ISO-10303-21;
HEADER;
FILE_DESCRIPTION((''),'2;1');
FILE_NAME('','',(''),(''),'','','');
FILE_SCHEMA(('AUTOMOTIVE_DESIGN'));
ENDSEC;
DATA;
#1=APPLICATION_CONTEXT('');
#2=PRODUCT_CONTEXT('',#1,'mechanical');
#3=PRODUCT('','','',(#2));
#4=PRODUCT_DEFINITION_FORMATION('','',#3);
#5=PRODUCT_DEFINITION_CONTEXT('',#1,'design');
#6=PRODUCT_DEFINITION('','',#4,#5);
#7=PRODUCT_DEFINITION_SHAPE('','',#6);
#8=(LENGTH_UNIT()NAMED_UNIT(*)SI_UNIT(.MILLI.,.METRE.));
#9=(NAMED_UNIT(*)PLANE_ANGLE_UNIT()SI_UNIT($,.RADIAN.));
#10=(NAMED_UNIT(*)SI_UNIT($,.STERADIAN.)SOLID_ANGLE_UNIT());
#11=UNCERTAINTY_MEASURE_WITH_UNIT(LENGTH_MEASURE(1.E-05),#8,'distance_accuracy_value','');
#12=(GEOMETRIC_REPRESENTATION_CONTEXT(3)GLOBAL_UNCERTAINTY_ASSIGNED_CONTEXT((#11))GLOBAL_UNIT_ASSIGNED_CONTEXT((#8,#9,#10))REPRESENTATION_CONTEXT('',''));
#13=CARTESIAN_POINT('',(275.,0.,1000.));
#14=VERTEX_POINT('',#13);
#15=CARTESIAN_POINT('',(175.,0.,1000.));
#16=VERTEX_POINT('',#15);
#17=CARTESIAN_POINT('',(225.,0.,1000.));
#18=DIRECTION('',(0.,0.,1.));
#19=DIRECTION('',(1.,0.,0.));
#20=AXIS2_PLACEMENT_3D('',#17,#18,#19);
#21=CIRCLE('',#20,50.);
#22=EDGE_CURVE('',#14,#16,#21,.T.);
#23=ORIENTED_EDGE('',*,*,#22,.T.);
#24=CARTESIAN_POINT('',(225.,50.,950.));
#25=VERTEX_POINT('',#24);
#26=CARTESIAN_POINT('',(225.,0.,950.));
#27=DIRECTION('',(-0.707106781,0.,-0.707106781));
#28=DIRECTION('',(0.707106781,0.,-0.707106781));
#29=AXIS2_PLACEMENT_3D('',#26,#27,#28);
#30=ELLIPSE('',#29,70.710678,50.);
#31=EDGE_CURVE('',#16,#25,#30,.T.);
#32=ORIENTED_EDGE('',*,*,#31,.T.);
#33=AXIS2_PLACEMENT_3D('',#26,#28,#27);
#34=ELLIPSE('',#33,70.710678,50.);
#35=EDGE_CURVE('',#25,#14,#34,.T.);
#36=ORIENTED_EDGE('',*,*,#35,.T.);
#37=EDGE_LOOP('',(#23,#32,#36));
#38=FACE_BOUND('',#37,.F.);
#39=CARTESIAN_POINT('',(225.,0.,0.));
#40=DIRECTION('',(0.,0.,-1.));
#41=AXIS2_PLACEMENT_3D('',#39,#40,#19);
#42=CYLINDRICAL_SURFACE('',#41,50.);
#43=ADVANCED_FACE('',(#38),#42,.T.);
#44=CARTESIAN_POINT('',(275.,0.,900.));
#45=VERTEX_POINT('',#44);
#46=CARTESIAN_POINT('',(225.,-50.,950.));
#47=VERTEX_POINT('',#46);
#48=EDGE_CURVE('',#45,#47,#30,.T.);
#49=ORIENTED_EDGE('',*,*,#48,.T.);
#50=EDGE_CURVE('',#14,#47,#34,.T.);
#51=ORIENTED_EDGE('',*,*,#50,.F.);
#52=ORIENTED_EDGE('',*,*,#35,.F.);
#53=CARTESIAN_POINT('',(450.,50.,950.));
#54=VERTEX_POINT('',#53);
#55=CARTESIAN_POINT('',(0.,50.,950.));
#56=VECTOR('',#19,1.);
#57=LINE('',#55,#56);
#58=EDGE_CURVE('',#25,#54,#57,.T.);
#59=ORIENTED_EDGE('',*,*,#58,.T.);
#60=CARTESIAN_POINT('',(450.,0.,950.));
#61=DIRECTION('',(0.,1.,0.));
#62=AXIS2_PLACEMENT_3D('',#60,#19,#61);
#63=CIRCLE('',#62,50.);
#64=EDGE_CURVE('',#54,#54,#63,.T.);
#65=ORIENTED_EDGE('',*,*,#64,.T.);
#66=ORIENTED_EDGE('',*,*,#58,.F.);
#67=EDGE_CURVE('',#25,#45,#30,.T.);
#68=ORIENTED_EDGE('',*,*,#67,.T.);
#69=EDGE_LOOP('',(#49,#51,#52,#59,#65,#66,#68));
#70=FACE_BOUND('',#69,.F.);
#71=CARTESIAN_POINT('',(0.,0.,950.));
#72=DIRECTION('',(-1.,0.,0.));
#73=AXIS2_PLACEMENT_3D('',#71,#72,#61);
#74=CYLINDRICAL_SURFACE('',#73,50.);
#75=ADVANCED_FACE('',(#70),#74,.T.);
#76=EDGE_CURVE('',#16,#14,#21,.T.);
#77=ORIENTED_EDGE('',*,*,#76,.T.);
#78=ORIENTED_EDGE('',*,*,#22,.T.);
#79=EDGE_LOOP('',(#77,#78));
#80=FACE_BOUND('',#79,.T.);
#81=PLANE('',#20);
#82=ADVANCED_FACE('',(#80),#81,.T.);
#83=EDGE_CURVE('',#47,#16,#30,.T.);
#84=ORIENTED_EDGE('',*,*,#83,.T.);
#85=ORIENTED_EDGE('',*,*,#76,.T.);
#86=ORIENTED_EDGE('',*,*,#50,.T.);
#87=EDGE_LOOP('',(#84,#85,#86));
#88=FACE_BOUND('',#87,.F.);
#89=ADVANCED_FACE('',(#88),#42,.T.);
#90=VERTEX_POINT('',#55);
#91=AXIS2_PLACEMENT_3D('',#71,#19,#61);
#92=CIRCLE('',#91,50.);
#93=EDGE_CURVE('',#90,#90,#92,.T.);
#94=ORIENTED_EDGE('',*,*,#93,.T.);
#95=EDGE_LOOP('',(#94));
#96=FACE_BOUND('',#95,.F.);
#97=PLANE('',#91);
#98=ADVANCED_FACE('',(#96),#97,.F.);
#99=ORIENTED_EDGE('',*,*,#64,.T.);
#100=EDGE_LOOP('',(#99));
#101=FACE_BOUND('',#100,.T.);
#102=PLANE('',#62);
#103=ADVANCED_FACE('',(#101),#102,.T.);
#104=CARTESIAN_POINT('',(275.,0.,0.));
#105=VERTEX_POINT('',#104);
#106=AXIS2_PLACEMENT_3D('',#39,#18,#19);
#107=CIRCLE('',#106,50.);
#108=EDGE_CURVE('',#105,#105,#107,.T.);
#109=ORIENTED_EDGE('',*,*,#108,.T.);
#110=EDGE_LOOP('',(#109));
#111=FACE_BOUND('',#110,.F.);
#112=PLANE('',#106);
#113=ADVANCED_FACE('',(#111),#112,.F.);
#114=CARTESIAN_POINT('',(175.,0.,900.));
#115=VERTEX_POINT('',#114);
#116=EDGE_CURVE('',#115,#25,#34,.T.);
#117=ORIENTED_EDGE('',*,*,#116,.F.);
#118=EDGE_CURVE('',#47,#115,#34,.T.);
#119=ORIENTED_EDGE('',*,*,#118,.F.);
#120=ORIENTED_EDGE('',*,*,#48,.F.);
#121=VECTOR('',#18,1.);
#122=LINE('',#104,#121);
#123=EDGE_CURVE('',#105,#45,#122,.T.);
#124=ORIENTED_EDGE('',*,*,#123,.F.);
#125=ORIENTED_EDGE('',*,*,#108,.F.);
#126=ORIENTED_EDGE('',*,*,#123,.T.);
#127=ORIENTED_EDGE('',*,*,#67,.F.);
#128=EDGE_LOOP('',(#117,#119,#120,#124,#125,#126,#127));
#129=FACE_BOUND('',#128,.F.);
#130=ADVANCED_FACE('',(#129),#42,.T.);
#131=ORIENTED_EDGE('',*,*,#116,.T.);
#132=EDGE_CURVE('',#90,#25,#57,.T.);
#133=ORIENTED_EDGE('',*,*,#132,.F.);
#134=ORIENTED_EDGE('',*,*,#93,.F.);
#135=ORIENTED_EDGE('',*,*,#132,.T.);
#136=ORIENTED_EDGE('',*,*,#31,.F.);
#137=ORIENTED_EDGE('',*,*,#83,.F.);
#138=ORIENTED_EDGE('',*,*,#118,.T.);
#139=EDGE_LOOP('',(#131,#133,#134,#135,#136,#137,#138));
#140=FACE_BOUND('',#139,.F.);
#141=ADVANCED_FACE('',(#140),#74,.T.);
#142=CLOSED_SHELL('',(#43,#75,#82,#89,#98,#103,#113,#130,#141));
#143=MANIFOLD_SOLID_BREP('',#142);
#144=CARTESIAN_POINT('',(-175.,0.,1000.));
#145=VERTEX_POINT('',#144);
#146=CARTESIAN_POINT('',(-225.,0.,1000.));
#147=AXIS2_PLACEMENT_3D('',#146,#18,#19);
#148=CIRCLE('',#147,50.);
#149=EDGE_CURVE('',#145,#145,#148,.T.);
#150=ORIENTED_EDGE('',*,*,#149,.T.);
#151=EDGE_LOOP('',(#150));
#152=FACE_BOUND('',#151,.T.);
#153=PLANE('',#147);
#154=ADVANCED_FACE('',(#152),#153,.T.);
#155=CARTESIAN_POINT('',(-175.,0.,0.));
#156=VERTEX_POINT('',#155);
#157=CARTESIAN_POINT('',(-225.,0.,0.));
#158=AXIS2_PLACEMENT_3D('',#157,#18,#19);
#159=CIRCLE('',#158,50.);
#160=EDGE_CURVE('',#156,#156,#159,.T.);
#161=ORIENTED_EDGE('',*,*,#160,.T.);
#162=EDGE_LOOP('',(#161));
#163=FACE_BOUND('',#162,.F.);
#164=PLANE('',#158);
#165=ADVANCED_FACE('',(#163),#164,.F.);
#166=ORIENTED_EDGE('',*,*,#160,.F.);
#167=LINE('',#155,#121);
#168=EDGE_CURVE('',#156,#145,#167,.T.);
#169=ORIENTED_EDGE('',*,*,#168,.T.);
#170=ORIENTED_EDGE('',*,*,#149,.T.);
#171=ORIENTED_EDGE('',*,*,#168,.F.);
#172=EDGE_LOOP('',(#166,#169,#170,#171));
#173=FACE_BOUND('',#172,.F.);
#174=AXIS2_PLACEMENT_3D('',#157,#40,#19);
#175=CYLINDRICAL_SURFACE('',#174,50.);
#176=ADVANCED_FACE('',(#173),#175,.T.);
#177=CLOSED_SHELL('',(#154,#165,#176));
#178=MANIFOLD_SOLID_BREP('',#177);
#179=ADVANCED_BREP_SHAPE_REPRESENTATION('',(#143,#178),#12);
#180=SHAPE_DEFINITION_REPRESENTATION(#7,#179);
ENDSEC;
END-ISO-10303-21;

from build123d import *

# Parameters (mm, degrees)
F0_R     = 50
F1_DEPTH = 1000
F2_R     = 50
F3_DEPTH = 450


with BuildPart() as f1:
    # F0 (on Top) → F1 (new body)
    with BuildSketch(Plane.XY):
        with Locations((225, 0)):
            Circle(F0_R)
        with Locations((-225, 0)):
            Circle(F0_R)
    extrude(amount=F1_DEPTH)

    # F2 (on Right) → F3 (join)
    with BuildSketch(Plane.YZ):
        with Locations((0, 950)):
            Circle(F2_R)
    extrude(amount=F3_DEPTH)


solid = f1.part
